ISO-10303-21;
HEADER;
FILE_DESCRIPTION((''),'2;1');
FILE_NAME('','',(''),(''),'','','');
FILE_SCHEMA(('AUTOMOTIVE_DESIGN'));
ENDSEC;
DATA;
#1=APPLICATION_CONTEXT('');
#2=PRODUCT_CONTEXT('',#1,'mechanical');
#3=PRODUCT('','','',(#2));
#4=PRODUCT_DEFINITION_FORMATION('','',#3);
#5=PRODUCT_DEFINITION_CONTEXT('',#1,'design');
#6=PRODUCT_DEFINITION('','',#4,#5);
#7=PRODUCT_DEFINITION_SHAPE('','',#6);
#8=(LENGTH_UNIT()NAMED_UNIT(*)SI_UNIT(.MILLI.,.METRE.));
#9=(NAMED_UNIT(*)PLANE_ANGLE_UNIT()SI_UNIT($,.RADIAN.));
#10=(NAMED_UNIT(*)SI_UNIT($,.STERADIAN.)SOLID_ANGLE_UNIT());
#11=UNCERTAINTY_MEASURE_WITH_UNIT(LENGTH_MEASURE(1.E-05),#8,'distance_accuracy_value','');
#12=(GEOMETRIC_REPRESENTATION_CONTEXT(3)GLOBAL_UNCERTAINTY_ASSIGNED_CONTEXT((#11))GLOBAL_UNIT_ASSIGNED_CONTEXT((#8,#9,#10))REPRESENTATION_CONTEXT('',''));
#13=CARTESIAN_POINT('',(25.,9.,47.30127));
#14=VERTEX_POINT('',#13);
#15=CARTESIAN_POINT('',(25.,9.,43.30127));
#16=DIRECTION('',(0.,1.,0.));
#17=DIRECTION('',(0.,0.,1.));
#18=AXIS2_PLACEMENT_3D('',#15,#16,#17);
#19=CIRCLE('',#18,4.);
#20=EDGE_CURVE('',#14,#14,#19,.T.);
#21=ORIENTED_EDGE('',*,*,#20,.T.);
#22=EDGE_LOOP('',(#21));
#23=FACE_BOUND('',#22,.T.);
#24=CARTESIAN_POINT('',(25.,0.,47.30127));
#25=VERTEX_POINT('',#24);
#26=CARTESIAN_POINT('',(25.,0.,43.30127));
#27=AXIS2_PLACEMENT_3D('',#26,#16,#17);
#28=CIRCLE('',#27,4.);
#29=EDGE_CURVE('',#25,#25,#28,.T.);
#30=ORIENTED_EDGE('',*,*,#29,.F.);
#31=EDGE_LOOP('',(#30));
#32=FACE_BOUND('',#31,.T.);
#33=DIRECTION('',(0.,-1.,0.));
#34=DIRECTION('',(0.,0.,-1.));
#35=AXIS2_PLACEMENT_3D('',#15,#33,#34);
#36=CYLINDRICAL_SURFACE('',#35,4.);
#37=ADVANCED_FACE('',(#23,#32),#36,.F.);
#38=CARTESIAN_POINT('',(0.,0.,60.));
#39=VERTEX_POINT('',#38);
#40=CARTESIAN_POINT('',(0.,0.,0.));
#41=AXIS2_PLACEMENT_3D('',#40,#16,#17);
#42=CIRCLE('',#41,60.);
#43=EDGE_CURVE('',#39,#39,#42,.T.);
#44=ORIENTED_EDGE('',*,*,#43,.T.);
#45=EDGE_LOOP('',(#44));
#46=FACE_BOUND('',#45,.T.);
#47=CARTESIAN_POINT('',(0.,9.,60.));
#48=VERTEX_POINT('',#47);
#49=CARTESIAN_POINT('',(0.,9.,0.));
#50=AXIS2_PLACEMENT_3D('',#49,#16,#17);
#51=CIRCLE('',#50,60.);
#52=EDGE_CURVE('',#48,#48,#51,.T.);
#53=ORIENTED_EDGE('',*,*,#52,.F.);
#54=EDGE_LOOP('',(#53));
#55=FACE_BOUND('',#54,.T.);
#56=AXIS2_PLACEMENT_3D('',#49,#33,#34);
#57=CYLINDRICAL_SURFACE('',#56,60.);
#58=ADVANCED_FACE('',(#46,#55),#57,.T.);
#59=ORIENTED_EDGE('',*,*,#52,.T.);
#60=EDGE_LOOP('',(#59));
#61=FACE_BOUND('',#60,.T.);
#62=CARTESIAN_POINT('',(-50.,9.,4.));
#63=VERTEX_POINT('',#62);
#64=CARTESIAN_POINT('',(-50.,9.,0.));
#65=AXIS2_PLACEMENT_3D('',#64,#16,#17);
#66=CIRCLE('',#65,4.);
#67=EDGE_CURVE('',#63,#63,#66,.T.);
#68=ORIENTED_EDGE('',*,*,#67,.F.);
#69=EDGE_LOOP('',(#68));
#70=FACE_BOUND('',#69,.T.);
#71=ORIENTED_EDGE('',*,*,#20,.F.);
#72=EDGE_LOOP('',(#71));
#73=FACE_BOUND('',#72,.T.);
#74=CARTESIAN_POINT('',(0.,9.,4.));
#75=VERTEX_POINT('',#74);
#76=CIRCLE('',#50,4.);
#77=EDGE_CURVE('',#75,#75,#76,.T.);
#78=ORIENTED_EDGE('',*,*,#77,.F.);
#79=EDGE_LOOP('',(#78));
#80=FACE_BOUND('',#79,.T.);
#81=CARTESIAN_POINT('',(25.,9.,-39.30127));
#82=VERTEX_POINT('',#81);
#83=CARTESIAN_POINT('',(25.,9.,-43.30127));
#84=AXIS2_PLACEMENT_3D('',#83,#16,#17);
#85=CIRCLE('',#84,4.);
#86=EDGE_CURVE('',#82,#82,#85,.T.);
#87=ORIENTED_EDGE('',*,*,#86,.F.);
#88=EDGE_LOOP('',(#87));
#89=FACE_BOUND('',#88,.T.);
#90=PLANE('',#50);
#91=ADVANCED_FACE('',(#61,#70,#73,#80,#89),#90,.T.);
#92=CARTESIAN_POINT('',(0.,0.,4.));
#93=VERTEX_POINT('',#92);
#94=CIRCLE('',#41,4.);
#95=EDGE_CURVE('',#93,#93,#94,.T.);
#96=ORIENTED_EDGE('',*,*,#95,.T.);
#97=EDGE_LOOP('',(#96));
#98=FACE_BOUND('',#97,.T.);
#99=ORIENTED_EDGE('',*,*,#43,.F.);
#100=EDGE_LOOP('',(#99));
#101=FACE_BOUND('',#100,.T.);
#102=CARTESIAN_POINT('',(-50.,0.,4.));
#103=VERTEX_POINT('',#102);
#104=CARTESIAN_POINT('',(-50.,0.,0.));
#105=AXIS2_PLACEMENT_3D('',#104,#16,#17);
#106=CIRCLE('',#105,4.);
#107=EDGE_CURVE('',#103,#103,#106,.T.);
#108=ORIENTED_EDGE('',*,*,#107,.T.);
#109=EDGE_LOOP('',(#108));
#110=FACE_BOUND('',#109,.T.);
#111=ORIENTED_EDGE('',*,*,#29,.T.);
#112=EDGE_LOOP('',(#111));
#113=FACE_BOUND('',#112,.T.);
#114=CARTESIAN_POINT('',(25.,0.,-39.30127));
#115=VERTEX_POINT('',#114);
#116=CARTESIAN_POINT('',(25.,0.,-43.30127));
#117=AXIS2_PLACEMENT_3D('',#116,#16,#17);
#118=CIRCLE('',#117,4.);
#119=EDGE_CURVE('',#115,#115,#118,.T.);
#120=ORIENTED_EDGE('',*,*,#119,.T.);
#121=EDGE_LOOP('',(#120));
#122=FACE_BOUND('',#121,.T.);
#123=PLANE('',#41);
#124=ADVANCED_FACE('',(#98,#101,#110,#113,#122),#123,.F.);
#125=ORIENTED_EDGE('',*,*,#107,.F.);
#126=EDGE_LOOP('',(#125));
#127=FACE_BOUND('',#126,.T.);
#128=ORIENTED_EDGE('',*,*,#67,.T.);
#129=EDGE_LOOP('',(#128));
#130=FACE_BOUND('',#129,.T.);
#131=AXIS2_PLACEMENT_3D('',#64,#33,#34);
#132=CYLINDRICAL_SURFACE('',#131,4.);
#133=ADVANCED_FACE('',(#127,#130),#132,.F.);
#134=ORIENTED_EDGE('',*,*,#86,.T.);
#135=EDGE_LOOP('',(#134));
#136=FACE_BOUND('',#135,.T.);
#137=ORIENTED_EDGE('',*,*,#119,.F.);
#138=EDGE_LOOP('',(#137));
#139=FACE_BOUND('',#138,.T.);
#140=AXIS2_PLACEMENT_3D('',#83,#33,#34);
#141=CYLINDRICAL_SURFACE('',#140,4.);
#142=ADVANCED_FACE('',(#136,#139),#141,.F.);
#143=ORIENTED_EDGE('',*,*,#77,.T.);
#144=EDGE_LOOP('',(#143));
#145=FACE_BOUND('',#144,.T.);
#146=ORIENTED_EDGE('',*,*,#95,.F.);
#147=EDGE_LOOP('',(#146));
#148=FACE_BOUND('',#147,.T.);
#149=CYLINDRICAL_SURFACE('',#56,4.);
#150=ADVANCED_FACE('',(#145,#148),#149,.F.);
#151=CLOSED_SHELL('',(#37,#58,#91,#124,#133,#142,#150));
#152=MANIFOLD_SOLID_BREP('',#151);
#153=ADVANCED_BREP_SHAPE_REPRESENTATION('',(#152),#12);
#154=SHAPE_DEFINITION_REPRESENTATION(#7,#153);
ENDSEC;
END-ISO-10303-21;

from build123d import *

# Parameters (mm, degrees)
SKETCH1_R           = 60
SKETCH1_R_2         = 4
BOSS_EXTRUDE1_DEPTH = 9


with BuildPart() as part:
    # Sketch1 → Boss-Extrude1 (new body)
    with BuildSketch(Plane(origin=(0, 0, 0), x_dir=(1, 0, 0), z_dir=(0, 1, 0))):
        with Locations(Location((0, 0, 0), (0, 0, 270))):
            Circle(SKETCH1_R)
        with Locations(Location((0, 0, 0), (0, 0, 270))):
            Circle(SKETCH1_R_2, mode=Mode.SUBTRACT)
        with Locations(Location((-50, 0, 0), (0, 0, 270))):
            Circle(SKETCH1_R_2, mode=Mode.SUBTRACT)
        with Locations(Location((25, 43.301270189, 0), (0, 0, 270))):
            Circle(SKETCH1_R_2, mode=Mode.SUBTRACT)
        with Locations(Location((25, -43.301270189, 0), (0, 0, 270))):
            Circle(SKETCH1_R_2, mode=Mode.SUBTRACT)
    extrude(amount=BOSS_EXTRUDE1_DEPTH)


solid = part.part
